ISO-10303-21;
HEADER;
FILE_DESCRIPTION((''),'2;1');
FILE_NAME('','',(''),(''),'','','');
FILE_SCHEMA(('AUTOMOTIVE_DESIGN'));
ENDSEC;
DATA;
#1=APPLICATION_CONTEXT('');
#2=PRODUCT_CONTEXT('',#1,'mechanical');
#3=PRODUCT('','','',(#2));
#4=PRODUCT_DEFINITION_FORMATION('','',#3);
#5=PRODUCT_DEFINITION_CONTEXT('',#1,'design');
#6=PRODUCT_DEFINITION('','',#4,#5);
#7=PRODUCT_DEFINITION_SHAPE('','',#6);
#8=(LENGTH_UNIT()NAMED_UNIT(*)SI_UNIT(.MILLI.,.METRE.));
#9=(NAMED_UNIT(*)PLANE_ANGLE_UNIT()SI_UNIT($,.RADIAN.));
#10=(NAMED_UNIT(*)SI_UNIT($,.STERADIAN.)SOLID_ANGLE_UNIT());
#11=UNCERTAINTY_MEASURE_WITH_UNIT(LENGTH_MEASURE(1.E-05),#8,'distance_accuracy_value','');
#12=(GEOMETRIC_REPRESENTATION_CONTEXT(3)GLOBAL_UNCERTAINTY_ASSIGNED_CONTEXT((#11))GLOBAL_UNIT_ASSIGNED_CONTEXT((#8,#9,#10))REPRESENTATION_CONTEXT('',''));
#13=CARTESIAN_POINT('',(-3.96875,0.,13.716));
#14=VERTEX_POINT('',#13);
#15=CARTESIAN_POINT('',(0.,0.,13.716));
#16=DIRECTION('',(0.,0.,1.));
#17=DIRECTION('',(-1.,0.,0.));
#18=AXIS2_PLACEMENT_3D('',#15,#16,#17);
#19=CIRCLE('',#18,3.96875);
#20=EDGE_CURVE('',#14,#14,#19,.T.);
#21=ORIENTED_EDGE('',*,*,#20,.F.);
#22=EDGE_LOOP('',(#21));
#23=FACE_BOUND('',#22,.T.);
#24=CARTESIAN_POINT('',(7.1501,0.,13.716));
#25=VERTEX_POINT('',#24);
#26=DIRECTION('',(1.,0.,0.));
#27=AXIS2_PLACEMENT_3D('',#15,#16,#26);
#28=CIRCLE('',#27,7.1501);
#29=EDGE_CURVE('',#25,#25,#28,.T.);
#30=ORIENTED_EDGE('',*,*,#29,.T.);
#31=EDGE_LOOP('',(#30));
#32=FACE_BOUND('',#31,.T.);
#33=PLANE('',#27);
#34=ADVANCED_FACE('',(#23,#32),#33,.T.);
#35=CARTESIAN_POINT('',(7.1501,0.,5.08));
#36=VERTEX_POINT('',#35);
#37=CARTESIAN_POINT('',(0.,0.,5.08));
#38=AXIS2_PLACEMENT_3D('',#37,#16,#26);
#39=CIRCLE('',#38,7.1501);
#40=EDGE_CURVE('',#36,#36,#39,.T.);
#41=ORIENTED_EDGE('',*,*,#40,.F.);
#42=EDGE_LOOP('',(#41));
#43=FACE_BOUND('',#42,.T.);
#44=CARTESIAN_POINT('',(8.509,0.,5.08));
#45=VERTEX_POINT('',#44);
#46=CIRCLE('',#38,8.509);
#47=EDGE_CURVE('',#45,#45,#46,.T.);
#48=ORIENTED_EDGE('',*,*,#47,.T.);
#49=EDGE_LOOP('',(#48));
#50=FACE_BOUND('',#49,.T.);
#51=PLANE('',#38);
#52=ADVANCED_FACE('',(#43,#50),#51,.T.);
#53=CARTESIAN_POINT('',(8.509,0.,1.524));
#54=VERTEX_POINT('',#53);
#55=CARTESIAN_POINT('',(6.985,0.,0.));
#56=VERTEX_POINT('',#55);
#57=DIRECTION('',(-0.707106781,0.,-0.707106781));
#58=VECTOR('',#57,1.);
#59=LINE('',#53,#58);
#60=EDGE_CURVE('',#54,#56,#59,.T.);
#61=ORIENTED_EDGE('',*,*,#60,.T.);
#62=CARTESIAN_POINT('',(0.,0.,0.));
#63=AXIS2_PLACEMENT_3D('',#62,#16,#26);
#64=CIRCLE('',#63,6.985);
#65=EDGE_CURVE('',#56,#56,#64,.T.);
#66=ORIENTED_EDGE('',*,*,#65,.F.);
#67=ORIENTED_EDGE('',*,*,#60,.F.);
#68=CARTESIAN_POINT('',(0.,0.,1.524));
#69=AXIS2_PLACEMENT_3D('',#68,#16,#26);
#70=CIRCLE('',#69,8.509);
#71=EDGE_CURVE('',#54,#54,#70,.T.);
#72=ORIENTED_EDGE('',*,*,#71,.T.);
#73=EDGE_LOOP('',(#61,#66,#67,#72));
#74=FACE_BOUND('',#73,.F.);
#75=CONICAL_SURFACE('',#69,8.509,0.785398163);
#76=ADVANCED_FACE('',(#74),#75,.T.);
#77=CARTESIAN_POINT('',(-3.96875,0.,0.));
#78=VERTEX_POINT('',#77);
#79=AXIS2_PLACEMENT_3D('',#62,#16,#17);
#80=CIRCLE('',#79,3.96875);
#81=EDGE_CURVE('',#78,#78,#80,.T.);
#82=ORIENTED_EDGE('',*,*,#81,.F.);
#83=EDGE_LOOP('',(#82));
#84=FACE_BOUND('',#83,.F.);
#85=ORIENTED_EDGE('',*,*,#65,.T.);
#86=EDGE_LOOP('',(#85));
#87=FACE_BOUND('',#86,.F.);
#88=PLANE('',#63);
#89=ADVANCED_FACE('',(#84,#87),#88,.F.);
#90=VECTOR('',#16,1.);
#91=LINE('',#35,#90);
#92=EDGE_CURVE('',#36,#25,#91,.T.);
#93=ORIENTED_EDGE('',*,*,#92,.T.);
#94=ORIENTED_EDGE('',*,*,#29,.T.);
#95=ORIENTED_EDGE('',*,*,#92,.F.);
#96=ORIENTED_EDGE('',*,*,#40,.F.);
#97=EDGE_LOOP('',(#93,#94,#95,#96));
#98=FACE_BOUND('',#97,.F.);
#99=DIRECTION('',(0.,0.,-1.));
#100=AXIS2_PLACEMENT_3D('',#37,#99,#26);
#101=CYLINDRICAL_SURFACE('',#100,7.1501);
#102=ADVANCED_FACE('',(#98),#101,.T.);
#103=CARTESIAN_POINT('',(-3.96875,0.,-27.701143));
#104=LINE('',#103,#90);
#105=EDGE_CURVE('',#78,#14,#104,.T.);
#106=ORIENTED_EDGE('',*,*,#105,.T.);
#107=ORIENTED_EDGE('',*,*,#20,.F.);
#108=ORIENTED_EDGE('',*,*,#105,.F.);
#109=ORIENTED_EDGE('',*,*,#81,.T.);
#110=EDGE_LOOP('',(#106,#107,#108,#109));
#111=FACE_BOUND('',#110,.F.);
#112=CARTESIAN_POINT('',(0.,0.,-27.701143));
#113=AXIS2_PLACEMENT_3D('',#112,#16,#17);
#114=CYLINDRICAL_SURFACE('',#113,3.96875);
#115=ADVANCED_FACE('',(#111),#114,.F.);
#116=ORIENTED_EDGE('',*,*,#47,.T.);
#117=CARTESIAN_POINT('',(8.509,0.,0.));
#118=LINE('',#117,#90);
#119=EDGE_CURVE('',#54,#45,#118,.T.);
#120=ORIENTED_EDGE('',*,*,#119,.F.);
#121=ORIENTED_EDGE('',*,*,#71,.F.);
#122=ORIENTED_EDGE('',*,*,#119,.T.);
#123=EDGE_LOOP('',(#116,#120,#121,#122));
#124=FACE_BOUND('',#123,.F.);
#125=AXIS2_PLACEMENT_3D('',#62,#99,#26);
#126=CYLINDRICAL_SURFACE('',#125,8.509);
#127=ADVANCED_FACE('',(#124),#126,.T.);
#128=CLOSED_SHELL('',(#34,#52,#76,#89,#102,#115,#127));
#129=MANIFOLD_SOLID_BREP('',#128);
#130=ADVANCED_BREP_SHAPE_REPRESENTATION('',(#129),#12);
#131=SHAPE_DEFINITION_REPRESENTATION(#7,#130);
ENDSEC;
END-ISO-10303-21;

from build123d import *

# Parameters (mm, degrees)
F0_R     = 8.509
F1_DEPTH = 5.08
F2_R     = 7.1501
F3_DEPTH = 8.636
F5_D     = 7.9375
F6_SIZE2 = 1.524
F6_SIZE  = 1.524


with BuildPart() as f1:
    # F0 (on Top) → F1 (new body)
    with BuildSketch(Plane.XY):
        Circle(F0_R)
    extrude(amount=F1_DEPTH)

    # F2 (on face) → F3 (join)
    with BuildSketch(Plane.XY.offset(5.08)):
        Circle(F2_R)
    extrude(amount=F3_DEPTH)

    # F5 (through all)
    with Locations(Plane(origin=(0, 0, 0), x_dir=(1, 0, 0), z_dir=(0, 0, -1))):
        with Locations((0, 0)):
            Hole(F5_D / 2)

    # F6
    f6_edges = [f1.edges().sort_by_distance(p)[0] for p in [
        (-8.509, 0, 0),
    ]]
    chamfer(f6_edges, length=F6_SIZE, length2=F6_SIZE2)


solid = f1.part
